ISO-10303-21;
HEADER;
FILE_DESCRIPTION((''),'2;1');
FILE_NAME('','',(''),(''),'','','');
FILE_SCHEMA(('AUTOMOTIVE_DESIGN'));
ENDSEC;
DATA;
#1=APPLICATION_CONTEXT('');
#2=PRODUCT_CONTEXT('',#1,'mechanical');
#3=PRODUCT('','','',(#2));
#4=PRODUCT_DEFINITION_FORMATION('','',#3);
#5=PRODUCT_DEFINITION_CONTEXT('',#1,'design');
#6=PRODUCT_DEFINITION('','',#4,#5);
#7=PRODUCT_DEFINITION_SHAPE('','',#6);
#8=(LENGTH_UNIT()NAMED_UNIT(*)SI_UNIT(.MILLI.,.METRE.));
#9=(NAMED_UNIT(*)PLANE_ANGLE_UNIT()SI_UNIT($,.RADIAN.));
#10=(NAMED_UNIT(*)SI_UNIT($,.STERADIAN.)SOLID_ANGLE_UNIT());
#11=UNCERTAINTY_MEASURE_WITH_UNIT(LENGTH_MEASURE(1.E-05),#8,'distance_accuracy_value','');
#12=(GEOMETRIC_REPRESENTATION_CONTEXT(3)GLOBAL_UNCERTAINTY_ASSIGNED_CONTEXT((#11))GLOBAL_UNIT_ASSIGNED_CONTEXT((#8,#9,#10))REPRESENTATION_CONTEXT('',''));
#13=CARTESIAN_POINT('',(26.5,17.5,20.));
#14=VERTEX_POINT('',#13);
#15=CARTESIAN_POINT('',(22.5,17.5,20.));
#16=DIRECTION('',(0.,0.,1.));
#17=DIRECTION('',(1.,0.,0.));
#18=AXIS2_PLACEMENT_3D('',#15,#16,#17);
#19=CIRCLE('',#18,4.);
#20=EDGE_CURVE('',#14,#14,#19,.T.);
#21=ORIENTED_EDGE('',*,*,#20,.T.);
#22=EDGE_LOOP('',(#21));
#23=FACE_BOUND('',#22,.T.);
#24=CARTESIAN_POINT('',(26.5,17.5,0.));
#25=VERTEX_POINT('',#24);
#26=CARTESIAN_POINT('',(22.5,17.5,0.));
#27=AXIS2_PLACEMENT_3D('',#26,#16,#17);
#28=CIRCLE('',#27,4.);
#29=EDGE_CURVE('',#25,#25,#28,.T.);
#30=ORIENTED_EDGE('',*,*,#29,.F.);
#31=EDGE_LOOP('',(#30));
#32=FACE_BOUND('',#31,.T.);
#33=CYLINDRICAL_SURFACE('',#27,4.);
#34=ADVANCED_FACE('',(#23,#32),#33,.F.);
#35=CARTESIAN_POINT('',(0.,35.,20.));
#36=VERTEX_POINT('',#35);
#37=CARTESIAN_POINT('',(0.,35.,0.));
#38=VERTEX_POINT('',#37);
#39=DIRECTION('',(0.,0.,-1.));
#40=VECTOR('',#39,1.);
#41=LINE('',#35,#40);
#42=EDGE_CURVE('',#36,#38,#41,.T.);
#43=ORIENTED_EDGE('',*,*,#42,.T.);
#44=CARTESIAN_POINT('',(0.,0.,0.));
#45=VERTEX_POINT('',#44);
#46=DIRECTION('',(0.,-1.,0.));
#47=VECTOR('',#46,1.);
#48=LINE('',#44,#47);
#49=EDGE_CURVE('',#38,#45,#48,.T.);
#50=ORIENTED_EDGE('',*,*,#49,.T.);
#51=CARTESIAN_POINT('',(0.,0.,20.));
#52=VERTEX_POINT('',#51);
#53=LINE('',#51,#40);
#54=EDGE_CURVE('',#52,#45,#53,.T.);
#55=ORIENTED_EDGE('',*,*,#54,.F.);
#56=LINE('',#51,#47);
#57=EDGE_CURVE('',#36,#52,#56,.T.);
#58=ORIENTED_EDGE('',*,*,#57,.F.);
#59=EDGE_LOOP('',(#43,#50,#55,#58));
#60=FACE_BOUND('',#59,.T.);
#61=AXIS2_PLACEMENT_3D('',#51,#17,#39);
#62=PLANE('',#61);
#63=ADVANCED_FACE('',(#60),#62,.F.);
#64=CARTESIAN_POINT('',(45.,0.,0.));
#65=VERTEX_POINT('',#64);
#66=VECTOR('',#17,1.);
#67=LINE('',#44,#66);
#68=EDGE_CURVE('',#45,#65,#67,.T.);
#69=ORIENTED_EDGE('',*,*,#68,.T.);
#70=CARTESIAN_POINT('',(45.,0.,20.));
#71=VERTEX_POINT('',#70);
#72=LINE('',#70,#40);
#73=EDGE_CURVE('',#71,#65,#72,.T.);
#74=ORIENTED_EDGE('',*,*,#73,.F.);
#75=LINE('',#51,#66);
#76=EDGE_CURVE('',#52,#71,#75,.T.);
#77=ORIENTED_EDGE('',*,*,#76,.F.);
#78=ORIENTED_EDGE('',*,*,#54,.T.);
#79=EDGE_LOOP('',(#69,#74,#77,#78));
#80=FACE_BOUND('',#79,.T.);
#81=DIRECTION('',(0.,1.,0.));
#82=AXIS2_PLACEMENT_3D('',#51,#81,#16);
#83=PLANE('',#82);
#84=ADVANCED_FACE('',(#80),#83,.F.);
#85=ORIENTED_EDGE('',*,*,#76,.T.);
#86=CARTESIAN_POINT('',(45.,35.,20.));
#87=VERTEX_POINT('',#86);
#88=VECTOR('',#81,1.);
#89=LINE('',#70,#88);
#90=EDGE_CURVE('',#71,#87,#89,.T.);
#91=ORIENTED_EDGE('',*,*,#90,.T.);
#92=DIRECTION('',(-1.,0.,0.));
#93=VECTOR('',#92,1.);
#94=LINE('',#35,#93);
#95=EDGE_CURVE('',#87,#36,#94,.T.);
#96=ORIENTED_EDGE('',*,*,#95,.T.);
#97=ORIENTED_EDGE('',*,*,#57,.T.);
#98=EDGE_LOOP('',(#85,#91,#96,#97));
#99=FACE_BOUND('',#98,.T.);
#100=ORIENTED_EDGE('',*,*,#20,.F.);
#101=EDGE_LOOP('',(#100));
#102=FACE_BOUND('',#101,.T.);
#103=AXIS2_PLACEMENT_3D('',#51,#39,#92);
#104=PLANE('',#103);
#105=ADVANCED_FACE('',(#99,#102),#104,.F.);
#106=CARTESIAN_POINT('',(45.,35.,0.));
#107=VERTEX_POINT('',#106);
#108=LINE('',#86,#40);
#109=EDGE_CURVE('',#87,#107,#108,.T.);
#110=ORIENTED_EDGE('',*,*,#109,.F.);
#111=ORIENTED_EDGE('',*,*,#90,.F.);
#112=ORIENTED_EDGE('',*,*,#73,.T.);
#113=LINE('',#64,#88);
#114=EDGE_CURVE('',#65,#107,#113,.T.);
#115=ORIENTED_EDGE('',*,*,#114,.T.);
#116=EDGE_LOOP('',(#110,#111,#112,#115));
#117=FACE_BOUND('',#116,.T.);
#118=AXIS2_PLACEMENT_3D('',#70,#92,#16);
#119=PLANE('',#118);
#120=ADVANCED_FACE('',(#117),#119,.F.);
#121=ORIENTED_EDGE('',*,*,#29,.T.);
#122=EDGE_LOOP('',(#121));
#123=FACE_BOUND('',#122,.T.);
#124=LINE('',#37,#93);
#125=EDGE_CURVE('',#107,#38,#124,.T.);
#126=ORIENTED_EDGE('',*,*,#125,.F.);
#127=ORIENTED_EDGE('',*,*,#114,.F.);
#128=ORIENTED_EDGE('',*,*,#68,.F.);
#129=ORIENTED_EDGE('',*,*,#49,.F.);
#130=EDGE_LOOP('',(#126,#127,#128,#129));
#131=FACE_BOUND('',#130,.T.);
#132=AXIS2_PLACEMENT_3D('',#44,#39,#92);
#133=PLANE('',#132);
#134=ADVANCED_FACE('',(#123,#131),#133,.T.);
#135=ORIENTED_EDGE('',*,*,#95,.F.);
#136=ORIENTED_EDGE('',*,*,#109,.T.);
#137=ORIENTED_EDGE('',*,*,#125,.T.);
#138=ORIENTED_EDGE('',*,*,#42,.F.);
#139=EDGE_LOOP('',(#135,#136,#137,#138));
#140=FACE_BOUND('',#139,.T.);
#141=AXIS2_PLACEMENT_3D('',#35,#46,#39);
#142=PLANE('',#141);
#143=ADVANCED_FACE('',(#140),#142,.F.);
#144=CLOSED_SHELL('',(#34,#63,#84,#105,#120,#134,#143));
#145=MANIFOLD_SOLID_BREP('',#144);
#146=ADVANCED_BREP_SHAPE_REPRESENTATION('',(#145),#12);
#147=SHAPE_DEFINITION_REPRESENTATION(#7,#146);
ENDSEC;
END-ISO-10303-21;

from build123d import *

# Parameters (mm, degrees)
SKETCH1_W           = 45
SKETCH1_H           = 35
BOSS_EXTRUDE1_DEPTH = 20
SKETCH2_R           = 4
CUT_EXTRUDE1_DEPTH  = 61.415229868


with BuildPart() as part:
    # Sketch1 → Boss-Extrude1 (new body)
    with BuildSketch(Plane.XY):
        with Locations((22.5, 17.5)):
            Rectangle(SKETCH1_W, SKETCH1_H)
    extrude(amount=BOSS_EXTRUDE1_DEPTH)

    # Sketch2 → Cut-Extrude1 (cut, through all)
    with BuildSketch(Plane.XY.offset(20)):
        with Locations((22.5, 17.5)):
            Circle(SKETCH2_R)
    extrude(amount=-CUT_EXTRUDE1_DEPTH, mode=Mode.SUBTRACT)


solid = part.part
